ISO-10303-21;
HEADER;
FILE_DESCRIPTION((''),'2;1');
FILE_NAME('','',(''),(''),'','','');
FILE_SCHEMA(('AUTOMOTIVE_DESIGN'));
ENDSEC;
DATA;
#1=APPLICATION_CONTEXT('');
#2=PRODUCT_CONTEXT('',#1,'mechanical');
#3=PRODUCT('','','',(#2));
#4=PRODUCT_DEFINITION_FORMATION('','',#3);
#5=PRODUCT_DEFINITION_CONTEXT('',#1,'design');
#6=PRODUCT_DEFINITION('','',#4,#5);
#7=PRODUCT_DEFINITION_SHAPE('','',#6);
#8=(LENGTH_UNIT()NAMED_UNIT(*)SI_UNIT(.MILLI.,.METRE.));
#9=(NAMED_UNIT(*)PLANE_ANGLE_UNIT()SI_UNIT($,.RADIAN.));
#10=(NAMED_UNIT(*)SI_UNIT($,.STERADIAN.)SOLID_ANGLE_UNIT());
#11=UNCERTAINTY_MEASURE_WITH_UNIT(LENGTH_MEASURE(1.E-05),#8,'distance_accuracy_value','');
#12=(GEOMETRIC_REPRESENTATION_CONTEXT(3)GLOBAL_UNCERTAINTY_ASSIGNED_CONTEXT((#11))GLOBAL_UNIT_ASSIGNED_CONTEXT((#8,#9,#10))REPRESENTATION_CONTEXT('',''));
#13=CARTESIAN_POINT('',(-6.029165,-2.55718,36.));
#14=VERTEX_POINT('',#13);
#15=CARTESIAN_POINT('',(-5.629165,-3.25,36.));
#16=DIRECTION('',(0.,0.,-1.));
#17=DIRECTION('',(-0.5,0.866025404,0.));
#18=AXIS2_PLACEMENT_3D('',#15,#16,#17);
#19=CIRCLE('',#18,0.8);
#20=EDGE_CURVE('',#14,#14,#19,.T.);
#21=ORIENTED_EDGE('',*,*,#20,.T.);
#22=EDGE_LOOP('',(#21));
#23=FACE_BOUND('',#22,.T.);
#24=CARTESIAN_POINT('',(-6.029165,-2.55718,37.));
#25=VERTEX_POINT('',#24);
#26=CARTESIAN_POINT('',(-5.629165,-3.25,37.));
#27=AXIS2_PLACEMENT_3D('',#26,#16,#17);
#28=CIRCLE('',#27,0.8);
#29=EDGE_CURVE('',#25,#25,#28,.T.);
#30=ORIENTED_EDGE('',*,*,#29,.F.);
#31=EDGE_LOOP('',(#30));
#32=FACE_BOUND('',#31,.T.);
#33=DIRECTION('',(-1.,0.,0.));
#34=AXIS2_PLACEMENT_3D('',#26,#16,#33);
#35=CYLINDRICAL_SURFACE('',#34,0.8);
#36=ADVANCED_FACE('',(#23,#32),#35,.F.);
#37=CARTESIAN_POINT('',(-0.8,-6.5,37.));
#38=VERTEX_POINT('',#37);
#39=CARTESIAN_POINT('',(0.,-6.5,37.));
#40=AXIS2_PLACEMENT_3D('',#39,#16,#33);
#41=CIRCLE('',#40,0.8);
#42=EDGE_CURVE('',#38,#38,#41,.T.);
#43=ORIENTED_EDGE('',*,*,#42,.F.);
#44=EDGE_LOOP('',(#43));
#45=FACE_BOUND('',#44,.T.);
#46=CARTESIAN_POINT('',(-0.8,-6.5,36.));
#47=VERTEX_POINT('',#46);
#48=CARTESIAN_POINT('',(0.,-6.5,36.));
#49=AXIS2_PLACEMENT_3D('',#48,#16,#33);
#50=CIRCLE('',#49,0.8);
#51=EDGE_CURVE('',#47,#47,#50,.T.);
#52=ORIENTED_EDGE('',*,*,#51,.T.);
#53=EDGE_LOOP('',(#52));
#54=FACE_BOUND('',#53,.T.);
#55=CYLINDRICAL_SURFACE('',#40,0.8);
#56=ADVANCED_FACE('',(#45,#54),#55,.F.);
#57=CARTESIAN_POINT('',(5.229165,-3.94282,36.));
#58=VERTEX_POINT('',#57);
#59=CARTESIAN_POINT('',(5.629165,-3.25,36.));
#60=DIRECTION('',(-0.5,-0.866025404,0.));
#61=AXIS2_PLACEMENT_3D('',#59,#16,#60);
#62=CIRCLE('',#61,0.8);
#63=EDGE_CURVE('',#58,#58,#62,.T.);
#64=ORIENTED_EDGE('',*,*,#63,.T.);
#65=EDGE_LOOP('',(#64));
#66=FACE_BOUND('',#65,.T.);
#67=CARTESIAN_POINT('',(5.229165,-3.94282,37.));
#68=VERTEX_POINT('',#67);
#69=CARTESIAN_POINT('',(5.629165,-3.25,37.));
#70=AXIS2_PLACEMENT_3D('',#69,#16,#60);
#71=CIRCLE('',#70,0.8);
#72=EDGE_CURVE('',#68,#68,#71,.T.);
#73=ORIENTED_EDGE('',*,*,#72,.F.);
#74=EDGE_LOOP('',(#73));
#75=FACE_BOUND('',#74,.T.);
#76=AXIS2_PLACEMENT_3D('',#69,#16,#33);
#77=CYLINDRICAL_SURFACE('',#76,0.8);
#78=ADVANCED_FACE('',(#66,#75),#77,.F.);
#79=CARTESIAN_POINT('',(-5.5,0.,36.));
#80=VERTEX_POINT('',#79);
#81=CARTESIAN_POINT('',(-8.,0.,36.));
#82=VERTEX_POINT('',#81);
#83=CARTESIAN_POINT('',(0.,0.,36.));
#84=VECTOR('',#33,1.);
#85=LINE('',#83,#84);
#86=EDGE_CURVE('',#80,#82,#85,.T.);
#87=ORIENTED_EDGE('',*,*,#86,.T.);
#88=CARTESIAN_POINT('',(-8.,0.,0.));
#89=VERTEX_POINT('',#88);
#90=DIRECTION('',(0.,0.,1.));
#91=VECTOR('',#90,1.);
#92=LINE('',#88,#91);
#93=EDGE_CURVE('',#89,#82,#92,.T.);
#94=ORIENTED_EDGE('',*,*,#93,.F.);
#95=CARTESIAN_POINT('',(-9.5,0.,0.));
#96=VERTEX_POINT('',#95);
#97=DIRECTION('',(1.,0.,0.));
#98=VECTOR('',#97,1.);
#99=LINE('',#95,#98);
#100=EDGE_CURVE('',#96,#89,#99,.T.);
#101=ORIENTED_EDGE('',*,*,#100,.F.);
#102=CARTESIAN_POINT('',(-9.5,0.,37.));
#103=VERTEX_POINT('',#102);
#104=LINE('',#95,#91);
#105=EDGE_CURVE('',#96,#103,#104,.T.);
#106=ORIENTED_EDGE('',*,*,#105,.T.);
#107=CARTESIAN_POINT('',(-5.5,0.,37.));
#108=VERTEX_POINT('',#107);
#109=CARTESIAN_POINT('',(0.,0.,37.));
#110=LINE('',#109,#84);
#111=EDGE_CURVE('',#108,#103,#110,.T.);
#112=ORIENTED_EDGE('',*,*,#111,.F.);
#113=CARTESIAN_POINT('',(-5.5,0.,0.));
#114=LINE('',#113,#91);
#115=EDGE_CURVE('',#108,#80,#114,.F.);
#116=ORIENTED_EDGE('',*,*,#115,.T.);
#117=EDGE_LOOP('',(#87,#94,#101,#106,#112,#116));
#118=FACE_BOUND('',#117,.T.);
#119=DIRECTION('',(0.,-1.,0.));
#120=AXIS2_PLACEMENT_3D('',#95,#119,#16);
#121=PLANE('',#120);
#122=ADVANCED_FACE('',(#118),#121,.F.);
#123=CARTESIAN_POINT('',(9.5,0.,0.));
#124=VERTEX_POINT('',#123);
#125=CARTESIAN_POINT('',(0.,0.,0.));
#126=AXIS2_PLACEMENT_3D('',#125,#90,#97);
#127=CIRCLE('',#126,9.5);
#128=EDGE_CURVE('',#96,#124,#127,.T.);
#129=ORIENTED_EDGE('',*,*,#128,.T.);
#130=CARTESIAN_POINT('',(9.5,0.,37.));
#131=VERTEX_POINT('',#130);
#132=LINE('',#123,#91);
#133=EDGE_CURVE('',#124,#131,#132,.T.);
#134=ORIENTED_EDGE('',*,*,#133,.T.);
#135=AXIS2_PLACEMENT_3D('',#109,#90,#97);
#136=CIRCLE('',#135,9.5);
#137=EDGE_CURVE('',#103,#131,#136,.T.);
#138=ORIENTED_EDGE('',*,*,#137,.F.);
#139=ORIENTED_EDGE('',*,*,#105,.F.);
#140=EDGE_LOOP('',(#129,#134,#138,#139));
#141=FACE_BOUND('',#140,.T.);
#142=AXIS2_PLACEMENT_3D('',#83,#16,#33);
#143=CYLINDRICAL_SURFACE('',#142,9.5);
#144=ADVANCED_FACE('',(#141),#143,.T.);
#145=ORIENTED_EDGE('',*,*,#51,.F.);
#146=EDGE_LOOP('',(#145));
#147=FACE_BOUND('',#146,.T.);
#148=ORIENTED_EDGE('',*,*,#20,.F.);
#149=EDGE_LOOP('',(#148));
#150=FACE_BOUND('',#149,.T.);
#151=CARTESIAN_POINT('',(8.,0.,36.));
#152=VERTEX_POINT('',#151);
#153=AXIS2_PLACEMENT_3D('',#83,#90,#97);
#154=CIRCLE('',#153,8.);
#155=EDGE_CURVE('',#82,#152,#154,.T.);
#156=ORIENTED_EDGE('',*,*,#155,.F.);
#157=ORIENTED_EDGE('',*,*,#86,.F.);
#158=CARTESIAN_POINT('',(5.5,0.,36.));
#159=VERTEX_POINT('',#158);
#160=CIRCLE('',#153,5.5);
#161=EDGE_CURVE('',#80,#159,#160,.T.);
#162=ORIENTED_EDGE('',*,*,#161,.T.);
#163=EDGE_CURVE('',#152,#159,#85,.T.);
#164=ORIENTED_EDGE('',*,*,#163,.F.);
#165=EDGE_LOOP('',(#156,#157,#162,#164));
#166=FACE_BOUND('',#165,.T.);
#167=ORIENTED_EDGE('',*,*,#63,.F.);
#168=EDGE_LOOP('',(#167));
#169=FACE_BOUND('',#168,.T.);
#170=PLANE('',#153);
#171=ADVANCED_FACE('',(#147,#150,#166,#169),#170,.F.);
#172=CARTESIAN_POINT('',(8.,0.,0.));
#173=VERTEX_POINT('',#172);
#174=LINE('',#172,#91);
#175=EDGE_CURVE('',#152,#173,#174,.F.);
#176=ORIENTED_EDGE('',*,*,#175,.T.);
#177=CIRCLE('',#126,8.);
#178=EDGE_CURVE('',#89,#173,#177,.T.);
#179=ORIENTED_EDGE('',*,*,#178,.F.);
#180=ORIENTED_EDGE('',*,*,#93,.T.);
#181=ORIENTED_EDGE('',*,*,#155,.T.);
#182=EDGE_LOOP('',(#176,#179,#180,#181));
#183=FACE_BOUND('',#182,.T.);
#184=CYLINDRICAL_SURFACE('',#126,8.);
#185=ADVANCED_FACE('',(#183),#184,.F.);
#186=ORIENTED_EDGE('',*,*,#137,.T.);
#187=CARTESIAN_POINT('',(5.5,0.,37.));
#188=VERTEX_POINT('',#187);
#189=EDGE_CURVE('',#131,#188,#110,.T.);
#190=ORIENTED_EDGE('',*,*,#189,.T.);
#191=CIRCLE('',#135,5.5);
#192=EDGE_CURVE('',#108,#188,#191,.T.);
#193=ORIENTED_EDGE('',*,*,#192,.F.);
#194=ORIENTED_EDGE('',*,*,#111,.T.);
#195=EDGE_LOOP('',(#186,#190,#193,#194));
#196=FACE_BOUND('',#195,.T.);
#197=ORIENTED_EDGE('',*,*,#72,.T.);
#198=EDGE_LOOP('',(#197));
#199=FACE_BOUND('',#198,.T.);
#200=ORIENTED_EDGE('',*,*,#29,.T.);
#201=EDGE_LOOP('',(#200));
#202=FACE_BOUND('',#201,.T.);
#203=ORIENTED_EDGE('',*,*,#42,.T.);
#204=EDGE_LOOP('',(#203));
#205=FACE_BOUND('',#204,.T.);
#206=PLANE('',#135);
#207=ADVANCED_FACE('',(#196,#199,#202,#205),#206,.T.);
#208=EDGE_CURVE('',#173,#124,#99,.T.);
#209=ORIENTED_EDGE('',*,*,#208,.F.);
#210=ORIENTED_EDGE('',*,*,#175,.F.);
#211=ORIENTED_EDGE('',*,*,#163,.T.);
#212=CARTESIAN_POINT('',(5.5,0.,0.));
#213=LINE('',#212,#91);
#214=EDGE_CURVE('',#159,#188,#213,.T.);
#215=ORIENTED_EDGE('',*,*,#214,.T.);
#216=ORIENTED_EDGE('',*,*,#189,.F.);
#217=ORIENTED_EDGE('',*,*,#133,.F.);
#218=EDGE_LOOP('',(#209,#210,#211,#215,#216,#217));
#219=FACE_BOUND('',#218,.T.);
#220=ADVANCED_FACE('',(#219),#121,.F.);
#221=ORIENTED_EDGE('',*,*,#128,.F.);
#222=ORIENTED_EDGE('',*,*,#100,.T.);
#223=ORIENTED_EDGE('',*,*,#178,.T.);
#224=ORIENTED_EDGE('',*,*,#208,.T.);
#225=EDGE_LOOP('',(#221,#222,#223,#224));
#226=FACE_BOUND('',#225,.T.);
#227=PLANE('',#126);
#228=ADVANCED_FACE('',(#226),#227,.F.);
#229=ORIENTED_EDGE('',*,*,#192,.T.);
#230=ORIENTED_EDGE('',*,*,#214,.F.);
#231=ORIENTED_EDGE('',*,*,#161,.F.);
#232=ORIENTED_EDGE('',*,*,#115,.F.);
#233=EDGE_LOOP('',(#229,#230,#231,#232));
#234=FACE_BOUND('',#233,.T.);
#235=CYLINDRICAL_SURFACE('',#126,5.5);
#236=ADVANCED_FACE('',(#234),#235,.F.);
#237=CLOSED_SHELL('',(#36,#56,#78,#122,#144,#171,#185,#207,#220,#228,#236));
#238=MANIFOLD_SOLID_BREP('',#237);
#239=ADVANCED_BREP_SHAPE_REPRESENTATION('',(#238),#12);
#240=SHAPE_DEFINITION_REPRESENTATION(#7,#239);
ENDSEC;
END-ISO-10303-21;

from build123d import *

# Parameters (mm, degrees)
SKETCH1_R           = 9.5
BOSS_EXTRUDE1_DEPTH = 36
SKETCH2_R           = 8
CUT_EXTRUDE1_DEPTH  = 37
SKETCH4_W           = 19
SKETCH4_H           = 9.5
CUT_EXTRUDE2_DEPTH  = 37
BOSS_EXTRUDE3_DEPTH = 1
SKETCH8_R           = 5.5
CUT_EXTRUDE9_DEPTH  = 38
SKETCH9_R           = 0.8
CUT_EXTRUDE10_DEPTH = 2
CIRPATTERN2_COUNT   = 6


with BuildPart() as part:
    # Sketch1 → Boss-Extrude1 (new body)
    with BuildSketch(Plane.XY):
        Circle(SKETCH1_R)
    extrude(amount=BOSS_EXTRUDE1_DEPTH)

    # Sketch2 → Cut-Extrude1 (cut, through all)
    with BuildSketch(Plane.XY.offset(36)):
        Circle(SKETCH2_R)
    extrude(amount=-CUT_EXTRUDE1_DEPTH, mode=Mode.SUBTRACT)

    # Sketch4 → Cut-Extrude2 (cut, through all)
    with BuildSketch(Plane.XY.offset(36)):
        with Locations((0, 4.75)):
            Rectangle(SKETCH4_W, SKETCH4_H)
    extrude(amount=-CUT_EXTRUDE2_DEPTH, mode=Mode.SUBTRACT)

    # Sketch5 → Boss-Extrude3 (add)
    with BuildSketch(Plane.XY.offset(36)):
        with BuildLine():
            ThreePointArc((8, 0), (0, -8), (-8, 0))
            Line((-8, 0), (-9.5, 0))
            ThreePointArc((-9.5, 0), (0, -9.5), (9.5, 0))
            Line((9.5, 0), (8, 0))
        make_face()
        with BuildLine():
            Line((8, 0), (-8, 0))
            ThreePointArc((-8, 0), (0, -8), (8, 0))
        make_face()
    extrude(amount=BOSS_EXTRUDE3_DEPTH)

    # Sketch8 → Cut-Extrude9 (cut, through all)
    with BuildSketch(Plane.XY.offset(37)):
        Circle(SKETCH8_R)
    extrude(amount=-CUT_EXTRUDE9_DEPTH, mode=Mode.SUBTRACT)

    # Sketch9 → Cut-Extrude10 (cut, through all)
    with BuildSketch(Plane(origin=(0, 0, 36), x_dir=(-1, 0, 0), z_dir=(0, 0, -1))):
        with Locations((0, -6.5)):
            Circle(SKETCH9_R)
    cut_extrude10 = extrude(amount=-CUT_EXTRUDE10_DEPTH, mode=Mode.SUBTRACT)

    # CirPattern2: Cut-Extrude10 ×6 about axis
    cirpattern2_axis = Axis((0, 0, 0), (0, 0, 1))
    for i in range(1, CIRPATTERN2_COUNT):
        add(cut_extrude10.rotate(cirpattern2_axis, i * 360 / CIRPATTERN2_COUNT), mode=Mode.SUBTRACT)


solid = part.part
